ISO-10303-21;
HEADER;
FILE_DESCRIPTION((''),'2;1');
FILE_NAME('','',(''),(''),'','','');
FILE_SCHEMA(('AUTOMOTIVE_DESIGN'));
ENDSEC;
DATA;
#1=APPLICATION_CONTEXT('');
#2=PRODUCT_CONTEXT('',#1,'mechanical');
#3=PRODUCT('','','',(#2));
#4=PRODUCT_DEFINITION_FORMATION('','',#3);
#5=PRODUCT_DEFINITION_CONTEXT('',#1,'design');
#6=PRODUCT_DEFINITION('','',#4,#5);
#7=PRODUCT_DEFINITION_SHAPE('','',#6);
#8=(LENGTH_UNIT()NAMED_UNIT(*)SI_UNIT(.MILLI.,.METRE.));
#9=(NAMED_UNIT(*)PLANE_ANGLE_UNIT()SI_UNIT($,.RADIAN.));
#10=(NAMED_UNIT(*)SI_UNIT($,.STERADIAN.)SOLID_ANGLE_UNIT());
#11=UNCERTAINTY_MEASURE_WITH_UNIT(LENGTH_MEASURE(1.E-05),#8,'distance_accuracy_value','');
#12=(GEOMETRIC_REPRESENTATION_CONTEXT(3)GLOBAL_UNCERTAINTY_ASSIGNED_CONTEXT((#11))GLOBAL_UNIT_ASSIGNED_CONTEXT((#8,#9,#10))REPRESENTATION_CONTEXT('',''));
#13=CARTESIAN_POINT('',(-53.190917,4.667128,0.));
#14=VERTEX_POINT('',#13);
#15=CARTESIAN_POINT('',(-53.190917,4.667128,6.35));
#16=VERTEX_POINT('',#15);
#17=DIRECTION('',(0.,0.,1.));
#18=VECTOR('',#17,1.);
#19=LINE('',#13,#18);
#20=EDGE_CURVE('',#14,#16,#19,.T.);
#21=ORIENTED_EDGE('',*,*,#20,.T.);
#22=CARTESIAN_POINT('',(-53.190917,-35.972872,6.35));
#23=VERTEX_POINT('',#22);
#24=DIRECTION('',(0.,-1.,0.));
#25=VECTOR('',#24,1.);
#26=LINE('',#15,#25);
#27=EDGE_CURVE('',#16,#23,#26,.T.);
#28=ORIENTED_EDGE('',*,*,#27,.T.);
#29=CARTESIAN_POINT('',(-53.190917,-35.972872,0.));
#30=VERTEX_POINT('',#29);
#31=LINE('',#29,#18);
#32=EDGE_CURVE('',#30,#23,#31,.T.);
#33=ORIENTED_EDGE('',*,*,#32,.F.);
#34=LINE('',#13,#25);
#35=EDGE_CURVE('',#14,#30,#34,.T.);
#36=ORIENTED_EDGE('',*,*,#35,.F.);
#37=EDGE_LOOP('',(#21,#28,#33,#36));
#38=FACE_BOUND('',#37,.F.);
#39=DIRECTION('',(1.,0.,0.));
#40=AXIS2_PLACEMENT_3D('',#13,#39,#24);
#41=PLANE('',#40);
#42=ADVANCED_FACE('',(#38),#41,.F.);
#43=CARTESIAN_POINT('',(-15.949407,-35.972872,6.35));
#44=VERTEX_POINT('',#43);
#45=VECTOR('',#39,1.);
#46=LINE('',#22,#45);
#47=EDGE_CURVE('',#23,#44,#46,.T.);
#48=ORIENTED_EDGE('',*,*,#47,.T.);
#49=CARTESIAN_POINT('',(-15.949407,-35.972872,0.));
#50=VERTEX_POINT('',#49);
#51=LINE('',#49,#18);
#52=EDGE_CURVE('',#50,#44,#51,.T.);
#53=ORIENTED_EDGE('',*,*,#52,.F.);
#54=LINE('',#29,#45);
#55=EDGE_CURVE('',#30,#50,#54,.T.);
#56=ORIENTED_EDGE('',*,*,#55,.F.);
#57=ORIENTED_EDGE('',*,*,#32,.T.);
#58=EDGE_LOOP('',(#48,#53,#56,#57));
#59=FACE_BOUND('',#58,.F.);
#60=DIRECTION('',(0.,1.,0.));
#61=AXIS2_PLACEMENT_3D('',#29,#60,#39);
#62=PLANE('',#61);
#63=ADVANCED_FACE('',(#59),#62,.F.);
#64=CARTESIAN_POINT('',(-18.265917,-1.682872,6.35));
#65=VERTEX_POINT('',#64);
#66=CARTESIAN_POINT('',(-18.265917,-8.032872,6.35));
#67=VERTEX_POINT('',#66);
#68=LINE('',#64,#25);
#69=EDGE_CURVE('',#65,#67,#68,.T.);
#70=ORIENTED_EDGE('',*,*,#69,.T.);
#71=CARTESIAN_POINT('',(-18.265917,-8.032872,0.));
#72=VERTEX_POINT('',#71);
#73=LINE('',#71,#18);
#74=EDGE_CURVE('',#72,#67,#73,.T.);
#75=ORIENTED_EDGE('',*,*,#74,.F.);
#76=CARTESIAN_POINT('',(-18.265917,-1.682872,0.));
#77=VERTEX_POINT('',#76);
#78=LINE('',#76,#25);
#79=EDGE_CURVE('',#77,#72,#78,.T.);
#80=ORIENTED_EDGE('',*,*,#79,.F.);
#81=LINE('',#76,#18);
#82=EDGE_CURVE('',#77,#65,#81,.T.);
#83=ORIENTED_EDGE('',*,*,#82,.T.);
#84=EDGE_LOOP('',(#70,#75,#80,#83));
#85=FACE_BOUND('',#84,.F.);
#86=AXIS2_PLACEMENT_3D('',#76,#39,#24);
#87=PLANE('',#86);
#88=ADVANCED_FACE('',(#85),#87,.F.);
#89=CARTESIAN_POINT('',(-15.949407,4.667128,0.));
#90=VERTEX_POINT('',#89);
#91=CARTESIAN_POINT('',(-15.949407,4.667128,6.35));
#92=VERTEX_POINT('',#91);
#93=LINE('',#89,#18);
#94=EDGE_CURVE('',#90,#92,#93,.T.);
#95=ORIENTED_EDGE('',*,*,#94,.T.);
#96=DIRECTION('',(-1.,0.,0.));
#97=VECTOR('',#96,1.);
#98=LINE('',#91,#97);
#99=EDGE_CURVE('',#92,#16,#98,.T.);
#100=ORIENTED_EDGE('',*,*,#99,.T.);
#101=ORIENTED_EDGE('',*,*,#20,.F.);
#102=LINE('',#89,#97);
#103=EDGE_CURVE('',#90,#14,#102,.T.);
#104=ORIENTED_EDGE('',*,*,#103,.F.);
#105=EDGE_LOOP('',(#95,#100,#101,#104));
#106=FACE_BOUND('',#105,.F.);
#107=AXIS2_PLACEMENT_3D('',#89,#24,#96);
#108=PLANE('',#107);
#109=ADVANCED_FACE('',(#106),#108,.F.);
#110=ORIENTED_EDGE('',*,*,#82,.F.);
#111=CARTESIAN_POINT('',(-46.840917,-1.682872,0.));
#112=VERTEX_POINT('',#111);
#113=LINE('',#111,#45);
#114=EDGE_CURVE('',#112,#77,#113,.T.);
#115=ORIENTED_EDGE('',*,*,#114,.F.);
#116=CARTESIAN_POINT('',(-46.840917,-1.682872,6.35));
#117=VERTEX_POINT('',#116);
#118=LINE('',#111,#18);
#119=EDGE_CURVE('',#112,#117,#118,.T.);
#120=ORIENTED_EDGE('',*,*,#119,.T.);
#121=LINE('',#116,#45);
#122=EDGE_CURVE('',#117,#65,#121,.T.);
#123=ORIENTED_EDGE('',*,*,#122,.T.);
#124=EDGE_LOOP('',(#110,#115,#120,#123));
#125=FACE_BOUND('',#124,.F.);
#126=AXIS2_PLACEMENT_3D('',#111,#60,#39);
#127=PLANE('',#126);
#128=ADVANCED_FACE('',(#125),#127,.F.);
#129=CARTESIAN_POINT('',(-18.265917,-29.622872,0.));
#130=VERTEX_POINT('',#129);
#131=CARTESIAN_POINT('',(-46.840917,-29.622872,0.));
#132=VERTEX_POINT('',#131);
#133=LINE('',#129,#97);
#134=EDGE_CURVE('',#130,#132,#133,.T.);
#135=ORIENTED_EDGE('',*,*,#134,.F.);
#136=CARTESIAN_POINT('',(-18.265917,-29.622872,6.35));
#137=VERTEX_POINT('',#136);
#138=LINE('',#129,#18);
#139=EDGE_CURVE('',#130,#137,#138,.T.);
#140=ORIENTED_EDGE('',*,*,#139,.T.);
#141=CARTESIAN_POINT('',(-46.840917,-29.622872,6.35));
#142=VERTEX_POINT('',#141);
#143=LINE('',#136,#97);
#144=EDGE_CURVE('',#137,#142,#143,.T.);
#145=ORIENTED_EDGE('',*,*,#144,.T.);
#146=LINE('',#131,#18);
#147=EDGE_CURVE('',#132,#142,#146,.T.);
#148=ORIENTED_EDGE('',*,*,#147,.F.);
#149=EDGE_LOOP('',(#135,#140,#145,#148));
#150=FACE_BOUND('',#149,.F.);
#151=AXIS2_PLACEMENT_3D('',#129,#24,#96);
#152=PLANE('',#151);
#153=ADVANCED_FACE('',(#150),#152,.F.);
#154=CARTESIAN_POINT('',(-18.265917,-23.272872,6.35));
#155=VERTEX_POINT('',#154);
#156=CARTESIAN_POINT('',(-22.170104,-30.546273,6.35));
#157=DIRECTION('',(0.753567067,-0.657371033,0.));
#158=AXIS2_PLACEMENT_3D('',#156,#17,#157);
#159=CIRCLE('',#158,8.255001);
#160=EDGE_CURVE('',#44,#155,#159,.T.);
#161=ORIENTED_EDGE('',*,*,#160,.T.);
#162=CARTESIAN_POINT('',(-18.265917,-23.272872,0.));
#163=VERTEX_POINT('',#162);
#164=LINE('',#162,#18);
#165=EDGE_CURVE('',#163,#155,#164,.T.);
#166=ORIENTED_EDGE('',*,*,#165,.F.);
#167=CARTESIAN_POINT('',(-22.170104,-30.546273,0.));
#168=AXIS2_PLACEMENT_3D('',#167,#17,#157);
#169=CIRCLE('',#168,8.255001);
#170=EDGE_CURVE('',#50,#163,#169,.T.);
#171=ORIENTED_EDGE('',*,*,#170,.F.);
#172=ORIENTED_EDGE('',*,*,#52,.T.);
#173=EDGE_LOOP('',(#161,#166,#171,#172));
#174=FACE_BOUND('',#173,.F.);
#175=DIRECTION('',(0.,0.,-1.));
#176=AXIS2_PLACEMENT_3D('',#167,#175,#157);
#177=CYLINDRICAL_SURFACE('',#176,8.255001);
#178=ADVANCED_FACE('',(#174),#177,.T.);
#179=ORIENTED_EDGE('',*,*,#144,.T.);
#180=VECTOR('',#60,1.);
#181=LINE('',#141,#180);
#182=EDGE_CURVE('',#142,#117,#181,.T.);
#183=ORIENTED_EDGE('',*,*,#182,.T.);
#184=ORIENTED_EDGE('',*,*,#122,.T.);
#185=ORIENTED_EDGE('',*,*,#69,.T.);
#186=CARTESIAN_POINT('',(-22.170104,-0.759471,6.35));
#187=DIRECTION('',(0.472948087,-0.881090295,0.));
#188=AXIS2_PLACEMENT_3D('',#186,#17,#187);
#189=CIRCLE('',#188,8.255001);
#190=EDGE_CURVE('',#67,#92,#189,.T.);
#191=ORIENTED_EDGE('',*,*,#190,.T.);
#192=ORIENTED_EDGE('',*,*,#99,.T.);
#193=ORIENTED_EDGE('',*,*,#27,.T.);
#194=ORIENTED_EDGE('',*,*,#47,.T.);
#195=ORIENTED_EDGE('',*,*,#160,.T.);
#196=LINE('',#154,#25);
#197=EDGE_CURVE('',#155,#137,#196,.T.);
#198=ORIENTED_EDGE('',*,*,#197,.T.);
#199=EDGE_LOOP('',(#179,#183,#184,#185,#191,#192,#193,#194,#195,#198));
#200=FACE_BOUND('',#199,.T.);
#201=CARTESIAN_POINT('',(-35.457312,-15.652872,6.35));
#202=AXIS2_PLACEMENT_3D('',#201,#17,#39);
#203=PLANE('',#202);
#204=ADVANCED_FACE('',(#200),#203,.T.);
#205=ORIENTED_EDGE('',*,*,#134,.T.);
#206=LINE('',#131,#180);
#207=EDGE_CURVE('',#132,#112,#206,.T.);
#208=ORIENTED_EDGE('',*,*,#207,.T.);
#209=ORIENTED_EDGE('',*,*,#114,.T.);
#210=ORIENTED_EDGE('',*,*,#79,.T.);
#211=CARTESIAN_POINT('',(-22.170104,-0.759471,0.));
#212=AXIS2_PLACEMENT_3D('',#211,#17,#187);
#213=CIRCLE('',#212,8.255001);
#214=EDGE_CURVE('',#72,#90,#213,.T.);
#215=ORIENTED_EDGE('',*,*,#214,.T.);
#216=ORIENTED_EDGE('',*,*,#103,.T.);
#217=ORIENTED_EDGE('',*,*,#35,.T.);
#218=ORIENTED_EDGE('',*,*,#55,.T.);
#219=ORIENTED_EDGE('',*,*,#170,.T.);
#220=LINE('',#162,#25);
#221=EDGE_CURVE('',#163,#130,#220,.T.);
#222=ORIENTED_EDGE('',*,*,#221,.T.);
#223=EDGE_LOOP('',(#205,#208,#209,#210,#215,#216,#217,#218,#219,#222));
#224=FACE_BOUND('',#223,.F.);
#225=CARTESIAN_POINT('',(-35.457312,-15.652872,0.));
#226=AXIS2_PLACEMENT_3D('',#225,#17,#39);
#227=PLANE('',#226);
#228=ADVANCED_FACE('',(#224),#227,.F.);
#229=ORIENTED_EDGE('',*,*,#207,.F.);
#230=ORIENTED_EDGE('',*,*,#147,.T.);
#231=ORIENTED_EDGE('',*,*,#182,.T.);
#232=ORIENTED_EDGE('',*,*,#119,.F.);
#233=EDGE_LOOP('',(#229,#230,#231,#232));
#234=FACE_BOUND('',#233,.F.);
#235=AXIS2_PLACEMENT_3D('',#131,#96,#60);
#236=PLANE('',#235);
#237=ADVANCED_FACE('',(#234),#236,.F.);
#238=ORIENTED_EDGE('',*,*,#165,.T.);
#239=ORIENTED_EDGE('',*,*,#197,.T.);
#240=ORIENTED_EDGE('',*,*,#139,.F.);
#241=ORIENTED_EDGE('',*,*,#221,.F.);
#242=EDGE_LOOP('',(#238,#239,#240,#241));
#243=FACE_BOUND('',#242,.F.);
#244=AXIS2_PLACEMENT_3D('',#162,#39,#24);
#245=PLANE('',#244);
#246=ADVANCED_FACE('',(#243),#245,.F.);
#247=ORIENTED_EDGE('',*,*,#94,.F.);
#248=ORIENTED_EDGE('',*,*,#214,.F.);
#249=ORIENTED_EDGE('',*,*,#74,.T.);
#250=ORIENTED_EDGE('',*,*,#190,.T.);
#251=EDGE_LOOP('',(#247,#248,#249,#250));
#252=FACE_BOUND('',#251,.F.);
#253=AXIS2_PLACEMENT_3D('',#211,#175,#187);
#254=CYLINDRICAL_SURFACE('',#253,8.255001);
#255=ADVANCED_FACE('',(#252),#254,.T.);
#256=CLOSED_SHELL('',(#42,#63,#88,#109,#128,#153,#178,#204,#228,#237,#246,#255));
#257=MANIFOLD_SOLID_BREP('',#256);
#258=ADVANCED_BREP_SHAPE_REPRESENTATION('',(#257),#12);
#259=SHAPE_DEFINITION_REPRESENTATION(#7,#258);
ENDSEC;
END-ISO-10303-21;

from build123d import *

# Parameters (mm, degrees)
F1_DEPTH = 6.35


with BuildPart() as f1:
    # F0 (on Top) → F1 (new body)
    with BuildSketch(Plane.XY):
        with BuildLine():
            Line((-18.265917, -23.272872), (-18.265917, -29.622872))
            Line((-18.265917, -29.622872), (-46.840917, -29.622872))
            Line((-46.840917, -29.622872), (-46.840917, -1.682872))
            Line((-46.840917, -1.682872), (-18.265917, -1.682872))
            Line((-18.265917, -1.682872), (-18.265917, -8.032872))
            ThreePointArc((-18.265917, -8.032872), (-14.049093, -2.240762), (-15.949407, 4.667128))
            Line((-15.949407, 4.667128), (-53.190917, 4.667128))
            Line((-53.190917, 4.667128), (-53.190917, -35.972872))
            Line((-53.190917, -35.972872), (-15.949407, -35.972872))
            ThreePointArc((-15.949407, -35.972872), (-14.049093, -29.064982), (-18.265917, -23.272872))
        make_face()
    extrude(amount=F1_DEPTH)


solid = f1.part
